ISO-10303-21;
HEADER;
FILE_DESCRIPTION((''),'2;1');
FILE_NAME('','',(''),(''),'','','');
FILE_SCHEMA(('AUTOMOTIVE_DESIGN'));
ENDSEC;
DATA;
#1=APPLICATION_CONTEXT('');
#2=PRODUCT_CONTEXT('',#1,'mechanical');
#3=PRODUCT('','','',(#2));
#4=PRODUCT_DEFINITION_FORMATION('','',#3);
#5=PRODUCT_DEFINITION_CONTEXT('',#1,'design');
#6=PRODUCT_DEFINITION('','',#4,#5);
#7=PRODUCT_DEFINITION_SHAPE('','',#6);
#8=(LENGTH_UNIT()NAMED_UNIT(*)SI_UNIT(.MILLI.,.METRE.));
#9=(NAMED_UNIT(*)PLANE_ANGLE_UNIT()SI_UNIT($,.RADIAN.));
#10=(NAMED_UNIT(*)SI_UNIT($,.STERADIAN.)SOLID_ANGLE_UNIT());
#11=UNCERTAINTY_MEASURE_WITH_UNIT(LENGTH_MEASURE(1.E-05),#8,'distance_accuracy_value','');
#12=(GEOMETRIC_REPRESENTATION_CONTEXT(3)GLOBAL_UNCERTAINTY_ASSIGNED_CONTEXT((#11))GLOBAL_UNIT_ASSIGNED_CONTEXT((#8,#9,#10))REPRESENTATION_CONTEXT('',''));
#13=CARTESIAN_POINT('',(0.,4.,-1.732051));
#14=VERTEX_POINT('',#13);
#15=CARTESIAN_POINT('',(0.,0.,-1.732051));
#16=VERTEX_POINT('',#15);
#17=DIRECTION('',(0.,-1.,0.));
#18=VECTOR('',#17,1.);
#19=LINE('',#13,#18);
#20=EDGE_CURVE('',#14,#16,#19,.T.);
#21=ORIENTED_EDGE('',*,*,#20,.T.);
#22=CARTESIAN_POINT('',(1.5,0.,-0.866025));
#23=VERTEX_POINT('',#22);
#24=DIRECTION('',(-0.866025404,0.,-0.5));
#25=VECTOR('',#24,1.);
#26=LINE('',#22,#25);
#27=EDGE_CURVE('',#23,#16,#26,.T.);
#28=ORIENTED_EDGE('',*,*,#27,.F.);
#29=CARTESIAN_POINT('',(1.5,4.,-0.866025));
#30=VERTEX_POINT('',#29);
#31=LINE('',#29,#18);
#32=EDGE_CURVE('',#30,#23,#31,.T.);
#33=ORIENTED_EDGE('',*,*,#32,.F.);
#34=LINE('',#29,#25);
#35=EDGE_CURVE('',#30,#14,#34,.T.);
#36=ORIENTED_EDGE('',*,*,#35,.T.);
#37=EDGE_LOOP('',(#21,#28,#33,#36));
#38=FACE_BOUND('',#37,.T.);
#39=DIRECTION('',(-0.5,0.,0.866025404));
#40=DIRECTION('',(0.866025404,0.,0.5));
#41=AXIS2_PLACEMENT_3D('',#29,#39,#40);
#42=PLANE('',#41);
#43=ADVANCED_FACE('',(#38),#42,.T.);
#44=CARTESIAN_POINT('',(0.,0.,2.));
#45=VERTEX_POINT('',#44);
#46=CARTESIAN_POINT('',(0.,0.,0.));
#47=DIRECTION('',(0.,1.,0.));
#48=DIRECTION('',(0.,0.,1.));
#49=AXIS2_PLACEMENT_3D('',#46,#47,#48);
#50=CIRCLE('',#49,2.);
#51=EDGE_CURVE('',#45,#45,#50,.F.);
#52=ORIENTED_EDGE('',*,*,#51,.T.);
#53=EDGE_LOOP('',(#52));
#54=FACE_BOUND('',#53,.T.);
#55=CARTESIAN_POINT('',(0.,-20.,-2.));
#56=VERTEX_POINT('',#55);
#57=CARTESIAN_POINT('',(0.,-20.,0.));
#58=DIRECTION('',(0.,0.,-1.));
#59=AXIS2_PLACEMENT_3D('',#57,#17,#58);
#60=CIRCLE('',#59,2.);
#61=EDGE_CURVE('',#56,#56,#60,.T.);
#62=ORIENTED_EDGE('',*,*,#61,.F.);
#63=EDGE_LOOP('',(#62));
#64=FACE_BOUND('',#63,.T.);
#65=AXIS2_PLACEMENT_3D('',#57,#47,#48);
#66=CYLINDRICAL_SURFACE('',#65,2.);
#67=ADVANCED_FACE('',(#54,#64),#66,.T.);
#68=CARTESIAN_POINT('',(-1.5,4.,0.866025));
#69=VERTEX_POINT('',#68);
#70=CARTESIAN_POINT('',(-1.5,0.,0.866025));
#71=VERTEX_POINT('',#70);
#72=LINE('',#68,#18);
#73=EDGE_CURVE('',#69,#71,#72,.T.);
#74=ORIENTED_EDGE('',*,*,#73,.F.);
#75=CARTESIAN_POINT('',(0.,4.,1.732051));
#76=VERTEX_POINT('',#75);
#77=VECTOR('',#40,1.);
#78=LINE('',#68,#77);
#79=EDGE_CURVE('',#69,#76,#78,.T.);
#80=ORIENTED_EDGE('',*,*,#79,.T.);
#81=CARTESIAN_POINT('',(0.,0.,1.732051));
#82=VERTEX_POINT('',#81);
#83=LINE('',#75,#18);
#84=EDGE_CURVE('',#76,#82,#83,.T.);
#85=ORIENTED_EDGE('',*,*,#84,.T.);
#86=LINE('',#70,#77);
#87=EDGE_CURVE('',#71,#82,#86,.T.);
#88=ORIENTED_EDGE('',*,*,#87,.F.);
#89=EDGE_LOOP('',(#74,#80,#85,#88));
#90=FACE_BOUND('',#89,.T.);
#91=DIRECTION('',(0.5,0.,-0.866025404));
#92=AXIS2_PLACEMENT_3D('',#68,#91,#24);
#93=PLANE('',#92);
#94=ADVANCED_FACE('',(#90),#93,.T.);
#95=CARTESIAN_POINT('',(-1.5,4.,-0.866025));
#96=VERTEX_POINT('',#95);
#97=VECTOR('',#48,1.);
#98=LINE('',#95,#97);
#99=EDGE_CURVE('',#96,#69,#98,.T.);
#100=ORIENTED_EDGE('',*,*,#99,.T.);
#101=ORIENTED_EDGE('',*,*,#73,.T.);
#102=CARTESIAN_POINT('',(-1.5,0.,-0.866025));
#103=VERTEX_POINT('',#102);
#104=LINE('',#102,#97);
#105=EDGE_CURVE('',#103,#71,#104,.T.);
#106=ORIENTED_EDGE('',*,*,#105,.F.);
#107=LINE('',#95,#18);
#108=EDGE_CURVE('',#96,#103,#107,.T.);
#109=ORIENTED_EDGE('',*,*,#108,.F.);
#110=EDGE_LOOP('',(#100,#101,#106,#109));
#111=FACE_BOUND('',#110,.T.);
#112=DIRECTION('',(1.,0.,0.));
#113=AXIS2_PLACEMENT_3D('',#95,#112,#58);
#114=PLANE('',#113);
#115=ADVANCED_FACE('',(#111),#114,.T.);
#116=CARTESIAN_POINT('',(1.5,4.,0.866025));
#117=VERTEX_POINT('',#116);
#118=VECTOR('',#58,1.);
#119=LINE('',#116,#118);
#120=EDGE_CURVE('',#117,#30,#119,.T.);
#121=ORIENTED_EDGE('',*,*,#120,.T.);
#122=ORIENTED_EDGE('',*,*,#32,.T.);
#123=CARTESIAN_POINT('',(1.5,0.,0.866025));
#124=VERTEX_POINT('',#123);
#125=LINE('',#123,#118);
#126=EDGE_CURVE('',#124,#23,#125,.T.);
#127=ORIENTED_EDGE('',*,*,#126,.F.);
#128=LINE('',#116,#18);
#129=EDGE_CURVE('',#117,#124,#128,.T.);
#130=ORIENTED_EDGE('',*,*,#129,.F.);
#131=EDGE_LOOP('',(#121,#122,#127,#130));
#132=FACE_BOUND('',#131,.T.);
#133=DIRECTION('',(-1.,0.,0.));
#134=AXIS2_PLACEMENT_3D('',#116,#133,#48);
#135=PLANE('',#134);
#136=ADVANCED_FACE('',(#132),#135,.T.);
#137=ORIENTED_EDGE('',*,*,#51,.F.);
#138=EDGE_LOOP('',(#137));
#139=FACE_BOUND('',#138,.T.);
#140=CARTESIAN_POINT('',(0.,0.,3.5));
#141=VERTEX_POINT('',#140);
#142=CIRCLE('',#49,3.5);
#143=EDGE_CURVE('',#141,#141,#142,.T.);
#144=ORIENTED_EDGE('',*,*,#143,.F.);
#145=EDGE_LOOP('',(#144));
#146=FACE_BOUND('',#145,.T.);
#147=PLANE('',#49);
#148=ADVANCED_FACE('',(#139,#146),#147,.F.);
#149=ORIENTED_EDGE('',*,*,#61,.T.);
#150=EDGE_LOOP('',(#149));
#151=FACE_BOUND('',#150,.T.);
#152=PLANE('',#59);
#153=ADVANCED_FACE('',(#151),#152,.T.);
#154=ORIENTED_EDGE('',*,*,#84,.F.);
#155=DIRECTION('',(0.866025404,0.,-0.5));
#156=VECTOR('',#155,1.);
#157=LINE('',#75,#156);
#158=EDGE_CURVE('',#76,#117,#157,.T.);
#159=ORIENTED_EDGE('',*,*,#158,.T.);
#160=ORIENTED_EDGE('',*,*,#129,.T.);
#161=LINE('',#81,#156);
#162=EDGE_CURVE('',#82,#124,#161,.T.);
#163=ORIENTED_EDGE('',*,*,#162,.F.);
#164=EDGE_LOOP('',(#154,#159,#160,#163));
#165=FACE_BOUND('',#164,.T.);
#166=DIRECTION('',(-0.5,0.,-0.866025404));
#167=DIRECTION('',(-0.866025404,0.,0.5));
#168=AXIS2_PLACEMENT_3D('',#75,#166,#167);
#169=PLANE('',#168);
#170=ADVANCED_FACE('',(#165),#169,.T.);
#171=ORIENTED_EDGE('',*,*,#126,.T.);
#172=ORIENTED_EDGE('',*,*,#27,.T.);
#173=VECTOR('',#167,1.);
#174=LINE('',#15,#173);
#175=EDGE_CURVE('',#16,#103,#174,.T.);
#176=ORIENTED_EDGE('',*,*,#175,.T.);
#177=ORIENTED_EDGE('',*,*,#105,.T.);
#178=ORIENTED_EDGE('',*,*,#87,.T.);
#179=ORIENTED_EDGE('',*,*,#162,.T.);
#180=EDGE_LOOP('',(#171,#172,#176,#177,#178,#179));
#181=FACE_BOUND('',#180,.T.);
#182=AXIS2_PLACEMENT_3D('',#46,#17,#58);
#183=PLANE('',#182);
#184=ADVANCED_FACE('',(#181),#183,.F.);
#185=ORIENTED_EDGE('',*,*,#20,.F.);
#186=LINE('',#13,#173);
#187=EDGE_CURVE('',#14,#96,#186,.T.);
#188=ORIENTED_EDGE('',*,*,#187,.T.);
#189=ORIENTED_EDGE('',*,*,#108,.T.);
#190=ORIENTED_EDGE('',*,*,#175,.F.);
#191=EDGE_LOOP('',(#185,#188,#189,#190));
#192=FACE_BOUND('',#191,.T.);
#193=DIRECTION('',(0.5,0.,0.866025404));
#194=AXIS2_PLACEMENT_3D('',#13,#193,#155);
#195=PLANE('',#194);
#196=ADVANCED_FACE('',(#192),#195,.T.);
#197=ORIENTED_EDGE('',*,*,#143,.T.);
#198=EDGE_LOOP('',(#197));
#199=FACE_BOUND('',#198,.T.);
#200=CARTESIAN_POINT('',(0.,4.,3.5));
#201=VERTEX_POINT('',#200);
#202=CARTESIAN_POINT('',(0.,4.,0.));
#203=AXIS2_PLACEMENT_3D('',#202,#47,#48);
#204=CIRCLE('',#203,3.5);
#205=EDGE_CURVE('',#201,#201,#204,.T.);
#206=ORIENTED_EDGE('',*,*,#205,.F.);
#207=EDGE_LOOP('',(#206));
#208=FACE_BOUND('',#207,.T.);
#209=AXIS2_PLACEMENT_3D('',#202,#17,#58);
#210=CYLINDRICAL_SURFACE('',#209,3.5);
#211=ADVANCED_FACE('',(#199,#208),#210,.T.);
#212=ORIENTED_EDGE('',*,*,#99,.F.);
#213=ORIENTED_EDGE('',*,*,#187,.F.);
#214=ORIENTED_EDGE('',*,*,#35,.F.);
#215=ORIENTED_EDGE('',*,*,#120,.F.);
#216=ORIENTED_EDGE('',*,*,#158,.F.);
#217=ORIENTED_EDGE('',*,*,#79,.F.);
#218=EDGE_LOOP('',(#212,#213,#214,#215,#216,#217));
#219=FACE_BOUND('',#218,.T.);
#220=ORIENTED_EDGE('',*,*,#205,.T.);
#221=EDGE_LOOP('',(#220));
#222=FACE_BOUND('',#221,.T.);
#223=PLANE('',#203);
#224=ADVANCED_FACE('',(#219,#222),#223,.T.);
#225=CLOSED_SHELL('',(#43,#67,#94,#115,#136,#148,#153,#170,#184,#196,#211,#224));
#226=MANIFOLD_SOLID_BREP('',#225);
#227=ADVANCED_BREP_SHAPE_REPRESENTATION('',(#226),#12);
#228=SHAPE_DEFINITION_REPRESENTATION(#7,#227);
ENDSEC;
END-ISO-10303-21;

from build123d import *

# Parameters (mm, degrees)
SKETCH2_R           = 3.5
BOSS_EXTRUDE1_DEPTH = 4
SKETCH3_R           = 2
BOSS_EXTRUDE2_DEPTH = 20


with BuildPart() as part:
    # Sketch2 → Boss-Extrude1 (new body)
    with BuildSketch(Plane(origin=(0, 0, 0), x_dir=(1, 0, 0), z_dir=(0, 1, 0))):
        with Locations(Location((0, 0, 0), (0, 0, 270))):
            Circle(SKETCH2_R)
        Polygon((0, 1.732050808), (-1.5, 0.866025404), (-1.5, -0.866025404), (0, -1.732050808), (1.5, -0.866025404), (1.5, 0.866025404), align=None, mode=Mode.SUBTRACT)
    extrude(amount=BOSS_EXTRUDE1_DEPTH)

    # Sketch3 → Boss-Extrude2 (add)
    with BuildSketch(Plane.XZ):
        with Locations(Location((0, 0, 0), (0, 0, 90))):
            Circle(SKETCH3_R)
    extrude(amount=BOSS_EXTRUDE2_DEPTH)


solid = part.part
